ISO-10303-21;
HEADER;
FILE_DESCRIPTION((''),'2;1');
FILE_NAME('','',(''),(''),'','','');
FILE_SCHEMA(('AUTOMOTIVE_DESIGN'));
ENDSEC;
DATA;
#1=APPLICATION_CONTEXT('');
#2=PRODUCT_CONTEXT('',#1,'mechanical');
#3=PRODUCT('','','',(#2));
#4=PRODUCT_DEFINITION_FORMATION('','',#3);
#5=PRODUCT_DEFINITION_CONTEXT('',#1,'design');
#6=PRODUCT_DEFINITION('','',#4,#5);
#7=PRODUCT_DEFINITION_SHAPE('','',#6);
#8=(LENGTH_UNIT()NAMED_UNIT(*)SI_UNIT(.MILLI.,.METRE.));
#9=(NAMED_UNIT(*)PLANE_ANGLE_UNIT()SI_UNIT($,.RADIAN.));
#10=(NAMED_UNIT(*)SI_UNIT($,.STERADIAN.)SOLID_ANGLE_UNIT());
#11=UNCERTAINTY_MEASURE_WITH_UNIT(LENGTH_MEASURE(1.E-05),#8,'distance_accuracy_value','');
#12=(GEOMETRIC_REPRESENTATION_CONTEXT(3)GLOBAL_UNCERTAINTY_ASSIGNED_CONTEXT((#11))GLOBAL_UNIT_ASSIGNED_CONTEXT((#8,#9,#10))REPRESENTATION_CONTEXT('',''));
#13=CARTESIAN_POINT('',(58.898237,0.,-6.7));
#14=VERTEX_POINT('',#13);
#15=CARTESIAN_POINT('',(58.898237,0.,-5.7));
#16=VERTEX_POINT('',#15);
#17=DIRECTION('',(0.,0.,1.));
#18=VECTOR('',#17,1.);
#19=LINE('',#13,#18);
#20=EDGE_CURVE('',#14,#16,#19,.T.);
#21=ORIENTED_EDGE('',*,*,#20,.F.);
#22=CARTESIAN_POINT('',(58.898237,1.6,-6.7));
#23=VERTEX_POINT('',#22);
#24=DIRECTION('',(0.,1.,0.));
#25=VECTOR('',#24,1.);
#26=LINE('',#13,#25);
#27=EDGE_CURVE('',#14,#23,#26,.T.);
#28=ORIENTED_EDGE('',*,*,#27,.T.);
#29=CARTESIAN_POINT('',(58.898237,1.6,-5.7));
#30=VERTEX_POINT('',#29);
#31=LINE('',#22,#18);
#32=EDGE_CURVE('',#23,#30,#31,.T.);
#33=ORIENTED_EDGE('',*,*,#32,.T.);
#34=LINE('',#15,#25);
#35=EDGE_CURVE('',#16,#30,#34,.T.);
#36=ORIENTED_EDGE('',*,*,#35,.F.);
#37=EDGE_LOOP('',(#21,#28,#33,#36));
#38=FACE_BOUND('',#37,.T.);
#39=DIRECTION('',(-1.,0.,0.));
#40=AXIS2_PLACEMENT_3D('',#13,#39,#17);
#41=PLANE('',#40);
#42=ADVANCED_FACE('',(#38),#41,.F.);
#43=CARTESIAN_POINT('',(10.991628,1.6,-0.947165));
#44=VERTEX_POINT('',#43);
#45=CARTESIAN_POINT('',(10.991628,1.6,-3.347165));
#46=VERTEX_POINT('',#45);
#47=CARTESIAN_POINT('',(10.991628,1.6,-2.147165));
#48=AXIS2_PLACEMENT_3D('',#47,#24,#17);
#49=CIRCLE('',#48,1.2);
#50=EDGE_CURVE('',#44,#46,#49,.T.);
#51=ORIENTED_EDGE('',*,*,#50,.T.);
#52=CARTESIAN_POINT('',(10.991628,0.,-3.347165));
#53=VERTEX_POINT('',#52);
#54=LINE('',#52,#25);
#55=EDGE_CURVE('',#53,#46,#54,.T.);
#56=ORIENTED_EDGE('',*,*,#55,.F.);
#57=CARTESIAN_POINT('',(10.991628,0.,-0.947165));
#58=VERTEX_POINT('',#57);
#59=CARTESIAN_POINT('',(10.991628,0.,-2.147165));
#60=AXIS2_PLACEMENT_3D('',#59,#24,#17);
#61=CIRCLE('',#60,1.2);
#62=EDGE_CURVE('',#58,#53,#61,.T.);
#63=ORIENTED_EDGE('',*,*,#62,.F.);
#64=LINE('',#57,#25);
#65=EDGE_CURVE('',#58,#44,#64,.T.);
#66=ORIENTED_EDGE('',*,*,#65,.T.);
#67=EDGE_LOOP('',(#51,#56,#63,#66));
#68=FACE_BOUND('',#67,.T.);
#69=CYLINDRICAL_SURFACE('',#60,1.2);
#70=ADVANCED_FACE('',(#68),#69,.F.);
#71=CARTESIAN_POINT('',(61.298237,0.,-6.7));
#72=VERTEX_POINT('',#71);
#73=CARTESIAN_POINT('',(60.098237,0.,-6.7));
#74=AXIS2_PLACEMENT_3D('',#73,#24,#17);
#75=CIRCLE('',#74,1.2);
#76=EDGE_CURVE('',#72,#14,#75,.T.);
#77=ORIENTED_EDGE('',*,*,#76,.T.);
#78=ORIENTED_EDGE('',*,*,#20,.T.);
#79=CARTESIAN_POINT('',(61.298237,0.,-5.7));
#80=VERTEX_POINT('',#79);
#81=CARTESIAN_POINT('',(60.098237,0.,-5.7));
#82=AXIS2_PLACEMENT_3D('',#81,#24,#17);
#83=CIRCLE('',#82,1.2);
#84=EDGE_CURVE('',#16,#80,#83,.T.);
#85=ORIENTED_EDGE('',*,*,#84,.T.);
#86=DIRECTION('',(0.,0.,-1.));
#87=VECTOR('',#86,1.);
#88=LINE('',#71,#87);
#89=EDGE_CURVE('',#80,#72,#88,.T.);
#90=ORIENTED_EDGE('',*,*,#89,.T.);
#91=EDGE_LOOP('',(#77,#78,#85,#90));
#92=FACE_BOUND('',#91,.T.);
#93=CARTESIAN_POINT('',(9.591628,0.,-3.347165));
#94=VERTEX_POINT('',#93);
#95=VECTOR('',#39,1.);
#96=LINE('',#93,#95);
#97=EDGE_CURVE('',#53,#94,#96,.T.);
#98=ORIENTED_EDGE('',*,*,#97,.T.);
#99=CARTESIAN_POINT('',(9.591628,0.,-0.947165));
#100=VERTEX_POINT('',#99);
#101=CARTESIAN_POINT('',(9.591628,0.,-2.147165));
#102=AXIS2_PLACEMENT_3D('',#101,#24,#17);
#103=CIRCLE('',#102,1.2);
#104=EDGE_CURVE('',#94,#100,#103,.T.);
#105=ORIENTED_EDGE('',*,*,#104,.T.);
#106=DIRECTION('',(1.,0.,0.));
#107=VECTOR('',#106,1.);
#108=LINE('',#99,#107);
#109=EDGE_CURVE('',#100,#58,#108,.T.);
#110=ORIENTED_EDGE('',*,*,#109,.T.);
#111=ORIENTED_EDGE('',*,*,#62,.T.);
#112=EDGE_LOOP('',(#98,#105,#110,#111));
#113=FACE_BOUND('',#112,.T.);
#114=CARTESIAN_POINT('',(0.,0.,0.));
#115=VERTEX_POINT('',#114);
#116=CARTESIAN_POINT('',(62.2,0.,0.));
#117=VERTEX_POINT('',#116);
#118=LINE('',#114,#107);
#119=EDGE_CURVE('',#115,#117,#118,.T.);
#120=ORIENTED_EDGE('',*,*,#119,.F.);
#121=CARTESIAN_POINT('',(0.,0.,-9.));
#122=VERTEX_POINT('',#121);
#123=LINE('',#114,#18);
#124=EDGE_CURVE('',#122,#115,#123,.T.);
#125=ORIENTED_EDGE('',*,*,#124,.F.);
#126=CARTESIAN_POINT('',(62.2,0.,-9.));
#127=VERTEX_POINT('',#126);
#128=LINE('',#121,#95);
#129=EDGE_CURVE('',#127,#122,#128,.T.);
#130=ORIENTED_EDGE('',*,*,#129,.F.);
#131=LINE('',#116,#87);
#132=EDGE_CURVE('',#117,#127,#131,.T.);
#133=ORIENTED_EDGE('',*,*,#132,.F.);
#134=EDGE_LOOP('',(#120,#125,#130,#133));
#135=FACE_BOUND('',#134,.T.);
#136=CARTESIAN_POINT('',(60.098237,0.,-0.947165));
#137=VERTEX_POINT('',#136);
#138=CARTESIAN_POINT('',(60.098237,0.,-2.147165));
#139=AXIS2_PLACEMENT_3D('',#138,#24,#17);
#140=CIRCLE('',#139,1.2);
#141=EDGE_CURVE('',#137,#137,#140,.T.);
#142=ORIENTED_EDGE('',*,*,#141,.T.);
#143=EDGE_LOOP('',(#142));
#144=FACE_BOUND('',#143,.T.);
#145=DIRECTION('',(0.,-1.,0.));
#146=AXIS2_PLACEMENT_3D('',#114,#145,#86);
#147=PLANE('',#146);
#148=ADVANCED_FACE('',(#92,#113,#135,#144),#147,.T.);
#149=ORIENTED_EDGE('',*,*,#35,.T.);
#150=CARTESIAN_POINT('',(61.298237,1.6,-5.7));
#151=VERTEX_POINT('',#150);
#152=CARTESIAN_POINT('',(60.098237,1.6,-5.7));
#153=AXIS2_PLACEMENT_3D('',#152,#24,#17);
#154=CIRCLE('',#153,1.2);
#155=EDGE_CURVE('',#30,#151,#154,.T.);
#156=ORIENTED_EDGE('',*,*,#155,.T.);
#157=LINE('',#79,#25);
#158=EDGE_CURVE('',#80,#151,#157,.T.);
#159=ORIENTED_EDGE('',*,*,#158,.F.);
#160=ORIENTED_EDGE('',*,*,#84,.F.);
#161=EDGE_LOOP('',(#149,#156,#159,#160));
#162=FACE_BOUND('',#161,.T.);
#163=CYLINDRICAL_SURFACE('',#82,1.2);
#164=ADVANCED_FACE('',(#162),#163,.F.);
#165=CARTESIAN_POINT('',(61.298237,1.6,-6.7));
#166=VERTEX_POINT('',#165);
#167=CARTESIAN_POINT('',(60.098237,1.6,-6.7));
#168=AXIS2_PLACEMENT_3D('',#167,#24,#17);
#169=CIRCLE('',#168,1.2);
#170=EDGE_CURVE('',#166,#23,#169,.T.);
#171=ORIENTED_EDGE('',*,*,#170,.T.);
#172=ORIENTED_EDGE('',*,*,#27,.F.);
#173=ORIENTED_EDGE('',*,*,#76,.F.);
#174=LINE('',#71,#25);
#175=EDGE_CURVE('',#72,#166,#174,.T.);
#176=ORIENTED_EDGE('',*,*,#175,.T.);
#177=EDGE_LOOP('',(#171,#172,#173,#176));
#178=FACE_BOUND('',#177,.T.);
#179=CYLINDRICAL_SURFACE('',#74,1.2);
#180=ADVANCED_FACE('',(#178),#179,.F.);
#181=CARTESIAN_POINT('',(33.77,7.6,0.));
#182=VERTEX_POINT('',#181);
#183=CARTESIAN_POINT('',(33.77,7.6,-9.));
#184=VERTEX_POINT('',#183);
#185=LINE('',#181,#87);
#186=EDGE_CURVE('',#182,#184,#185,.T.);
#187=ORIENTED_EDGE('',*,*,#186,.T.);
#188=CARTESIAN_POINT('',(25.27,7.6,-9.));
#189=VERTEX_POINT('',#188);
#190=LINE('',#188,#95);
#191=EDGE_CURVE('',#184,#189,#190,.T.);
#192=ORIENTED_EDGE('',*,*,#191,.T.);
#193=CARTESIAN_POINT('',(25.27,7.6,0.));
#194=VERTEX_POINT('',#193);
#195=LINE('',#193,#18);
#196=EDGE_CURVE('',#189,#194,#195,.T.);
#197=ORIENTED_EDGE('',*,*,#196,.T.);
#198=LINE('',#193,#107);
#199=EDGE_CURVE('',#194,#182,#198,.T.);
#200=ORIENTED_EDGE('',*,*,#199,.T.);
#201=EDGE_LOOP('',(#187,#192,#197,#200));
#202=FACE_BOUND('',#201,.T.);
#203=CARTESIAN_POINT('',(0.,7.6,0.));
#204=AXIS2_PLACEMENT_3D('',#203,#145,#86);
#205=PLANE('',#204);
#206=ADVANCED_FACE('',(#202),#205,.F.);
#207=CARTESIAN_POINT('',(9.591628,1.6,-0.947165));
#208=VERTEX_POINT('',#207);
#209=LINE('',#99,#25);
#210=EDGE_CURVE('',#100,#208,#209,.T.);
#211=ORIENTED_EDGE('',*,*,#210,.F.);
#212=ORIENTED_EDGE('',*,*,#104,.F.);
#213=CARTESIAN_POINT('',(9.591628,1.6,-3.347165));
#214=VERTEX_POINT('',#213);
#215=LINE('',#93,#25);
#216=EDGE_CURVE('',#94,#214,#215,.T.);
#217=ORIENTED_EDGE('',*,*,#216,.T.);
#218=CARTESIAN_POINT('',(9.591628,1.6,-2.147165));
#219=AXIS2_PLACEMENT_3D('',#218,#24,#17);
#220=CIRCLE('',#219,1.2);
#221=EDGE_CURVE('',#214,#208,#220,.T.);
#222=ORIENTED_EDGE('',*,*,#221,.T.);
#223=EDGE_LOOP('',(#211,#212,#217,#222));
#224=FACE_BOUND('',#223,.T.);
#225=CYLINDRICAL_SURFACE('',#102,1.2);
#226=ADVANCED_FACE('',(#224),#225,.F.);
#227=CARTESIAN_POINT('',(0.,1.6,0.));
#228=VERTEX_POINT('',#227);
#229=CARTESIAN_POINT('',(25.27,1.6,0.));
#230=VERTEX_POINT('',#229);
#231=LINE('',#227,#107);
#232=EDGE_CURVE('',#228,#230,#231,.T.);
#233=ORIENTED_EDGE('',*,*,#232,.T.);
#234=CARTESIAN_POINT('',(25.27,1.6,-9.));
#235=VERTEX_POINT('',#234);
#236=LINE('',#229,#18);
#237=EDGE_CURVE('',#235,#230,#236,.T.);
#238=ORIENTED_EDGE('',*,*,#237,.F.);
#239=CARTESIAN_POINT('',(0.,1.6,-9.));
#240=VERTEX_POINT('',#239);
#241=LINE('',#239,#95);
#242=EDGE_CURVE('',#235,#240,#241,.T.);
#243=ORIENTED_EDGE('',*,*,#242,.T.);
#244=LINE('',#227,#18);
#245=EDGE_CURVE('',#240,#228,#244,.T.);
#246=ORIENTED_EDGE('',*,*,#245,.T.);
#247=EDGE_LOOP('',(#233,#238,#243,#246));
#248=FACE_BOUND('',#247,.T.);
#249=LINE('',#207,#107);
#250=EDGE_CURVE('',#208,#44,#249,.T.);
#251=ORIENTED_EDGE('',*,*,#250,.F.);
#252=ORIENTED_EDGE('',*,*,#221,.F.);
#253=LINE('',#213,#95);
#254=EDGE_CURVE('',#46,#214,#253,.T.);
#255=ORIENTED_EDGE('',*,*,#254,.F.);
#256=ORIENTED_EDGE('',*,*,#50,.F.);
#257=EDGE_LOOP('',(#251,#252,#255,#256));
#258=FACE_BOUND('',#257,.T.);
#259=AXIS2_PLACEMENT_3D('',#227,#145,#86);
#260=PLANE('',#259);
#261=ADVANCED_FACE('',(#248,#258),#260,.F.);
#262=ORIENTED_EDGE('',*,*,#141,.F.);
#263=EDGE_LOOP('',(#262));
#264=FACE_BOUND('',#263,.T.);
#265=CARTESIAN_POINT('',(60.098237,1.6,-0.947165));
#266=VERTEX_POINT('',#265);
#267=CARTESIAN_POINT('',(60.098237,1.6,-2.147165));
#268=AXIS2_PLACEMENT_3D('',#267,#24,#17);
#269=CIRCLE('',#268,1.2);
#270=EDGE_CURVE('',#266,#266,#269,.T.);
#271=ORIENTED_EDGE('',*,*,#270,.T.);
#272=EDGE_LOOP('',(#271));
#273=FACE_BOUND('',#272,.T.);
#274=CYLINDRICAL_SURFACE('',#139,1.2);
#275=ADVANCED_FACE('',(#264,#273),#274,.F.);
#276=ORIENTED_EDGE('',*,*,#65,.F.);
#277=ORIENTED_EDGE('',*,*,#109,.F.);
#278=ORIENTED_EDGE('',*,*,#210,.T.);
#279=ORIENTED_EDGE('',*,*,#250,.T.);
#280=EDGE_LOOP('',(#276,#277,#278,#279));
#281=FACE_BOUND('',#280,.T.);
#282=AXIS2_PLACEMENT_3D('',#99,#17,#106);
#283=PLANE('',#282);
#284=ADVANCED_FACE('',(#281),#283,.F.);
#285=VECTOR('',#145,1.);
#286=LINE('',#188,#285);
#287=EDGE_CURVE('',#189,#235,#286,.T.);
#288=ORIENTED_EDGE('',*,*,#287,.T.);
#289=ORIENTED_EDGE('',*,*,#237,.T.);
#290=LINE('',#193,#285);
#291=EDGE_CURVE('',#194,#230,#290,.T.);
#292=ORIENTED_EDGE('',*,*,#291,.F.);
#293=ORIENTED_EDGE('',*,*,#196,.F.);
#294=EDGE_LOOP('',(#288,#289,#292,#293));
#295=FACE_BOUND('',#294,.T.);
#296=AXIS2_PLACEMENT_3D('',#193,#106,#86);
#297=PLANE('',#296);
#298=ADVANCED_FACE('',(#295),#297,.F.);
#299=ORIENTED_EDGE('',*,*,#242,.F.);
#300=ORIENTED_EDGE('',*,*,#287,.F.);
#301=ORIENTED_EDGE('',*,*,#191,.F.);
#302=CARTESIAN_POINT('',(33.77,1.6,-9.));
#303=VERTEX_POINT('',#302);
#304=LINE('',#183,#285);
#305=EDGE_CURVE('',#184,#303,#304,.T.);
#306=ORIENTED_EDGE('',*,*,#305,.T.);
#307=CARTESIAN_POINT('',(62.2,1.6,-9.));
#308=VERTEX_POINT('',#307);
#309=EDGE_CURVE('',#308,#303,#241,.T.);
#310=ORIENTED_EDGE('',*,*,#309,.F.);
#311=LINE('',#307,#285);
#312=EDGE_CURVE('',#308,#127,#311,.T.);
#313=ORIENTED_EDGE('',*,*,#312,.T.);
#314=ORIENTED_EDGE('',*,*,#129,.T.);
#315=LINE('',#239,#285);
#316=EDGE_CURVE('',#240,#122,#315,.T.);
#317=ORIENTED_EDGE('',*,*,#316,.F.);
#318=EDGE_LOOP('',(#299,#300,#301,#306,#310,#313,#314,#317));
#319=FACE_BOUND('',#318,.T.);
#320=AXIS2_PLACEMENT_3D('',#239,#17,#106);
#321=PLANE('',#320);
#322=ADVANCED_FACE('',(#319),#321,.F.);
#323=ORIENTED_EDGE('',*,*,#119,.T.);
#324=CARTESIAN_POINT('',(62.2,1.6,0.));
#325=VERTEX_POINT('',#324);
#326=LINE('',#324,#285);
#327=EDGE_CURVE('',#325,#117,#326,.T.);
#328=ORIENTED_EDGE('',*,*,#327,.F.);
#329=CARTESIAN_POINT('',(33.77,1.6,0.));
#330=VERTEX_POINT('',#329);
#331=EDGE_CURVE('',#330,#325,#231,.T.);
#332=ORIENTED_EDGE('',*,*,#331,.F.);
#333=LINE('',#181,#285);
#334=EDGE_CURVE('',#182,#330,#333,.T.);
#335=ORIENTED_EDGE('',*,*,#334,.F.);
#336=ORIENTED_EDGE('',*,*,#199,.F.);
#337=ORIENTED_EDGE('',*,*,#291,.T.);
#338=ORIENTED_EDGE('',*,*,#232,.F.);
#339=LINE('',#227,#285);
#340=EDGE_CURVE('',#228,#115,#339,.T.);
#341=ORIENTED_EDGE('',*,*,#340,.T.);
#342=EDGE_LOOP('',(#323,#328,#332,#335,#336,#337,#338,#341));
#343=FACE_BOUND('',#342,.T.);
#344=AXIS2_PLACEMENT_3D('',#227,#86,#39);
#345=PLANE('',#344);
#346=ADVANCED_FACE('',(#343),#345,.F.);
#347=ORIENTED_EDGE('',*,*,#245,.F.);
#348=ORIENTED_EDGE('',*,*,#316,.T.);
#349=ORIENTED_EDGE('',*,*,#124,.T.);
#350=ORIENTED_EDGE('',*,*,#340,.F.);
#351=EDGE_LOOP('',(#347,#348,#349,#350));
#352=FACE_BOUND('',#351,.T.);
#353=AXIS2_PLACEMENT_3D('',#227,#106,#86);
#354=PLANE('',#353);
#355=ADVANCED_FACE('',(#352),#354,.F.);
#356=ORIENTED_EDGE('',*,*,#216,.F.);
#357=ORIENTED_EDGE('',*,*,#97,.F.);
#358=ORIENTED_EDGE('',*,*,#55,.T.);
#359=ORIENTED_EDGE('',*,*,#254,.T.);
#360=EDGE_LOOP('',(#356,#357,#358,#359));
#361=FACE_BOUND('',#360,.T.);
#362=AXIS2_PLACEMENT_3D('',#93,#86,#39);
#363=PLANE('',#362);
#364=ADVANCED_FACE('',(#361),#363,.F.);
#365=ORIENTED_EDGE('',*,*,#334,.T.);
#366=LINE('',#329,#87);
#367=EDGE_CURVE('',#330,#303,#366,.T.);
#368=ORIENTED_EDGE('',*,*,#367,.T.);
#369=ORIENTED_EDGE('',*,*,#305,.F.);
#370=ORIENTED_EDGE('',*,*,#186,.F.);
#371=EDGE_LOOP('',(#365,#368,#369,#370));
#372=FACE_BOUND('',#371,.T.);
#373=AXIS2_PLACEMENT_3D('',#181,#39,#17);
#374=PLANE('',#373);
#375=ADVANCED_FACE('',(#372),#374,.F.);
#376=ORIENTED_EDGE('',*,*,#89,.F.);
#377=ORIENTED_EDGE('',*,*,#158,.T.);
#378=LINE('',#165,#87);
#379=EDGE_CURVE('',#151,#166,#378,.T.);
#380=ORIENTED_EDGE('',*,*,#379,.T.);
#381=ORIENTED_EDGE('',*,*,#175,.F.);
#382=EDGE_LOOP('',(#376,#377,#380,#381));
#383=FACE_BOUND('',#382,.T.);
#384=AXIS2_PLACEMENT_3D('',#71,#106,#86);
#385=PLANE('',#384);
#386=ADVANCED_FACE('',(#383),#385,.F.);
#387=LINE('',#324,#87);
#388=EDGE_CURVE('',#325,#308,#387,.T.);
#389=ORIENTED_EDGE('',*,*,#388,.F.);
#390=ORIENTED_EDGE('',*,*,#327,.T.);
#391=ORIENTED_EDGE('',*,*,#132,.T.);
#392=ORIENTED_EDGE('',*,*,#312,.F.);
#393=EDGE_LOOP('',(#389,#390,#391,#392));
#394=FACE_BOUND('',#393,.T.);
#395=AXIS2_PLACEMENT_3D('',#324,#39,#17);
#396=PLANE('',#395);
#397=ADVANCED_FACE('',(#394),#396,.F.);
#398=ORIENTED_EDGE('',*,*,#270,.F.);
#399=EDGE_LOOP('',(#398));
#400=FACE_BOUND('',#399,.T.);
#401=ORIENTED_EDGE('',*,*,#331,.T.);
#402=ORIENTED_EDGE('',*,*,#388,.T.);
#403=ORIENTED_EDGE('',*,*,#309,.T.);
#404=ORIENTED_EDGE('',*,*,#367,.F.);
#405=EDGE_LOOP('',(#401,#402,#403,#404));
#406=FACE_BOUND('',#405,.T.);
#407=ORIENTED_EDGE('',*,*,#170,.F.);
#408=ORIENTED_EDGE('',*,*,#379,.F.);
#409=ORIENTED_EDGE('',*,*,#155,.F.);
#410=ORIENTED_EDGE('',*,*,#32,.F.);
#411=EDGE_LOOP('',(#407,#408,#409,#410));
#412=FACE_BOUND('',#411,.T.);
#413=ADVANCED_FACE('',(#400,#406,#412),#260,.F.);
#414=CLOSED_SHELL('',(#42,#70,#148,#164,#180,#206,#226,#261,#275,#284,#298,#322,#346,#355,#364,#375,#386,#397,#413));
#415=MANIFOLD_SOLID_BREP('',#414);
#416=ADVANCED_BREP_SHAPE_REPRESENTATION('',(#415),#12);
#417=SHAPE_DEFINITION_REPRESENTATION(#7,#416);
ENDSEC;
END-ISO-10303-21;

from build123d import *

# Parameters (mm, degrees)
SKETCH1_W           = 62.2
SKETCH1_H           = 9
BOSS_EXTRUDE1_DEPTH = 1.6
SKETCH2_R           = 1.2
CUT_EXTRUDE1_DEPTH  = 2.6
SKETCH3_W           = 8.5
SKETCH3_H           = 9
BOSS_EXTRUDE2_DEPTH = 6


with BuildPart() as part:
    # Sketch1 → Boss-Extrude1 (new body)
    with BuildSketch(Plane(origin=(0, 0, 0), x_dir=(1, 0, 0), z_dir=(0, 1, 0))):
        with Locations((31.1, 4.5)):
            Rectangle(SKETCH1_W, SKETCH1_H)
    extrude(amount=BOSS_EXTRUDE1_DEPTH)

    # Sketch2 → Cut-Extrude1 (cut, through all)
    with BuildSketch(Plane(origin=(0, 1.6, 0), x_dir=(1, 0, 0), z_dir=(0, 1, 0))):
        with Locations((60.098236825, 2.147164508)):
            Circle(SKETCH2_R)
        with BuildLine():
            Line((9.591628176, 3.347164508), (10.991628176, 3.347164508))
            ThreePointArc((10.991628176, 3.347164508), (12.191628176, 2.147164508), (10.991628176, 0.947164508))
            Line((10.991628176, 0.947164508), (9.591628176, 0.947164508))
            ThreePointArc((9.591628176, 0.947164508), (8.391628176, 2.147164508), (9.591628176, 3.347164508))
        make_face()
        with BuildLine():
            Line((61.298236825, 6.7), (61.298236825, 5.7))
            ThreePointArc((61.298236825, 5.7), (60.098236825, 4.5), (58.898236825, 5.7))
            Line((58.898236825, 5.7), (58.898236825, 6.7))
            ThreePointArc((58.898236825, 6.7), (60.098236825, 7.9), (61.298236825, 6.7))
        make_face()
    extrude(amount=-CUT_EXTRUDE1_DEPTH, mode=Mode.SUBTRACT)

    # Sketch3 → Boss-Extrude2 (add)
    with BuildSketch(Plane(origin=(0, 1.6, 0), x_dir=(1, 0, 0), z_dir=(0, 1, 0))):
        with Locations((29.52, 4.5)):
            Rectangle(SKETCH3_W, SKETCH3_H)
    extrude(amount=BOSS_EXTRUDE2_DEPTH)


solid = part.part
